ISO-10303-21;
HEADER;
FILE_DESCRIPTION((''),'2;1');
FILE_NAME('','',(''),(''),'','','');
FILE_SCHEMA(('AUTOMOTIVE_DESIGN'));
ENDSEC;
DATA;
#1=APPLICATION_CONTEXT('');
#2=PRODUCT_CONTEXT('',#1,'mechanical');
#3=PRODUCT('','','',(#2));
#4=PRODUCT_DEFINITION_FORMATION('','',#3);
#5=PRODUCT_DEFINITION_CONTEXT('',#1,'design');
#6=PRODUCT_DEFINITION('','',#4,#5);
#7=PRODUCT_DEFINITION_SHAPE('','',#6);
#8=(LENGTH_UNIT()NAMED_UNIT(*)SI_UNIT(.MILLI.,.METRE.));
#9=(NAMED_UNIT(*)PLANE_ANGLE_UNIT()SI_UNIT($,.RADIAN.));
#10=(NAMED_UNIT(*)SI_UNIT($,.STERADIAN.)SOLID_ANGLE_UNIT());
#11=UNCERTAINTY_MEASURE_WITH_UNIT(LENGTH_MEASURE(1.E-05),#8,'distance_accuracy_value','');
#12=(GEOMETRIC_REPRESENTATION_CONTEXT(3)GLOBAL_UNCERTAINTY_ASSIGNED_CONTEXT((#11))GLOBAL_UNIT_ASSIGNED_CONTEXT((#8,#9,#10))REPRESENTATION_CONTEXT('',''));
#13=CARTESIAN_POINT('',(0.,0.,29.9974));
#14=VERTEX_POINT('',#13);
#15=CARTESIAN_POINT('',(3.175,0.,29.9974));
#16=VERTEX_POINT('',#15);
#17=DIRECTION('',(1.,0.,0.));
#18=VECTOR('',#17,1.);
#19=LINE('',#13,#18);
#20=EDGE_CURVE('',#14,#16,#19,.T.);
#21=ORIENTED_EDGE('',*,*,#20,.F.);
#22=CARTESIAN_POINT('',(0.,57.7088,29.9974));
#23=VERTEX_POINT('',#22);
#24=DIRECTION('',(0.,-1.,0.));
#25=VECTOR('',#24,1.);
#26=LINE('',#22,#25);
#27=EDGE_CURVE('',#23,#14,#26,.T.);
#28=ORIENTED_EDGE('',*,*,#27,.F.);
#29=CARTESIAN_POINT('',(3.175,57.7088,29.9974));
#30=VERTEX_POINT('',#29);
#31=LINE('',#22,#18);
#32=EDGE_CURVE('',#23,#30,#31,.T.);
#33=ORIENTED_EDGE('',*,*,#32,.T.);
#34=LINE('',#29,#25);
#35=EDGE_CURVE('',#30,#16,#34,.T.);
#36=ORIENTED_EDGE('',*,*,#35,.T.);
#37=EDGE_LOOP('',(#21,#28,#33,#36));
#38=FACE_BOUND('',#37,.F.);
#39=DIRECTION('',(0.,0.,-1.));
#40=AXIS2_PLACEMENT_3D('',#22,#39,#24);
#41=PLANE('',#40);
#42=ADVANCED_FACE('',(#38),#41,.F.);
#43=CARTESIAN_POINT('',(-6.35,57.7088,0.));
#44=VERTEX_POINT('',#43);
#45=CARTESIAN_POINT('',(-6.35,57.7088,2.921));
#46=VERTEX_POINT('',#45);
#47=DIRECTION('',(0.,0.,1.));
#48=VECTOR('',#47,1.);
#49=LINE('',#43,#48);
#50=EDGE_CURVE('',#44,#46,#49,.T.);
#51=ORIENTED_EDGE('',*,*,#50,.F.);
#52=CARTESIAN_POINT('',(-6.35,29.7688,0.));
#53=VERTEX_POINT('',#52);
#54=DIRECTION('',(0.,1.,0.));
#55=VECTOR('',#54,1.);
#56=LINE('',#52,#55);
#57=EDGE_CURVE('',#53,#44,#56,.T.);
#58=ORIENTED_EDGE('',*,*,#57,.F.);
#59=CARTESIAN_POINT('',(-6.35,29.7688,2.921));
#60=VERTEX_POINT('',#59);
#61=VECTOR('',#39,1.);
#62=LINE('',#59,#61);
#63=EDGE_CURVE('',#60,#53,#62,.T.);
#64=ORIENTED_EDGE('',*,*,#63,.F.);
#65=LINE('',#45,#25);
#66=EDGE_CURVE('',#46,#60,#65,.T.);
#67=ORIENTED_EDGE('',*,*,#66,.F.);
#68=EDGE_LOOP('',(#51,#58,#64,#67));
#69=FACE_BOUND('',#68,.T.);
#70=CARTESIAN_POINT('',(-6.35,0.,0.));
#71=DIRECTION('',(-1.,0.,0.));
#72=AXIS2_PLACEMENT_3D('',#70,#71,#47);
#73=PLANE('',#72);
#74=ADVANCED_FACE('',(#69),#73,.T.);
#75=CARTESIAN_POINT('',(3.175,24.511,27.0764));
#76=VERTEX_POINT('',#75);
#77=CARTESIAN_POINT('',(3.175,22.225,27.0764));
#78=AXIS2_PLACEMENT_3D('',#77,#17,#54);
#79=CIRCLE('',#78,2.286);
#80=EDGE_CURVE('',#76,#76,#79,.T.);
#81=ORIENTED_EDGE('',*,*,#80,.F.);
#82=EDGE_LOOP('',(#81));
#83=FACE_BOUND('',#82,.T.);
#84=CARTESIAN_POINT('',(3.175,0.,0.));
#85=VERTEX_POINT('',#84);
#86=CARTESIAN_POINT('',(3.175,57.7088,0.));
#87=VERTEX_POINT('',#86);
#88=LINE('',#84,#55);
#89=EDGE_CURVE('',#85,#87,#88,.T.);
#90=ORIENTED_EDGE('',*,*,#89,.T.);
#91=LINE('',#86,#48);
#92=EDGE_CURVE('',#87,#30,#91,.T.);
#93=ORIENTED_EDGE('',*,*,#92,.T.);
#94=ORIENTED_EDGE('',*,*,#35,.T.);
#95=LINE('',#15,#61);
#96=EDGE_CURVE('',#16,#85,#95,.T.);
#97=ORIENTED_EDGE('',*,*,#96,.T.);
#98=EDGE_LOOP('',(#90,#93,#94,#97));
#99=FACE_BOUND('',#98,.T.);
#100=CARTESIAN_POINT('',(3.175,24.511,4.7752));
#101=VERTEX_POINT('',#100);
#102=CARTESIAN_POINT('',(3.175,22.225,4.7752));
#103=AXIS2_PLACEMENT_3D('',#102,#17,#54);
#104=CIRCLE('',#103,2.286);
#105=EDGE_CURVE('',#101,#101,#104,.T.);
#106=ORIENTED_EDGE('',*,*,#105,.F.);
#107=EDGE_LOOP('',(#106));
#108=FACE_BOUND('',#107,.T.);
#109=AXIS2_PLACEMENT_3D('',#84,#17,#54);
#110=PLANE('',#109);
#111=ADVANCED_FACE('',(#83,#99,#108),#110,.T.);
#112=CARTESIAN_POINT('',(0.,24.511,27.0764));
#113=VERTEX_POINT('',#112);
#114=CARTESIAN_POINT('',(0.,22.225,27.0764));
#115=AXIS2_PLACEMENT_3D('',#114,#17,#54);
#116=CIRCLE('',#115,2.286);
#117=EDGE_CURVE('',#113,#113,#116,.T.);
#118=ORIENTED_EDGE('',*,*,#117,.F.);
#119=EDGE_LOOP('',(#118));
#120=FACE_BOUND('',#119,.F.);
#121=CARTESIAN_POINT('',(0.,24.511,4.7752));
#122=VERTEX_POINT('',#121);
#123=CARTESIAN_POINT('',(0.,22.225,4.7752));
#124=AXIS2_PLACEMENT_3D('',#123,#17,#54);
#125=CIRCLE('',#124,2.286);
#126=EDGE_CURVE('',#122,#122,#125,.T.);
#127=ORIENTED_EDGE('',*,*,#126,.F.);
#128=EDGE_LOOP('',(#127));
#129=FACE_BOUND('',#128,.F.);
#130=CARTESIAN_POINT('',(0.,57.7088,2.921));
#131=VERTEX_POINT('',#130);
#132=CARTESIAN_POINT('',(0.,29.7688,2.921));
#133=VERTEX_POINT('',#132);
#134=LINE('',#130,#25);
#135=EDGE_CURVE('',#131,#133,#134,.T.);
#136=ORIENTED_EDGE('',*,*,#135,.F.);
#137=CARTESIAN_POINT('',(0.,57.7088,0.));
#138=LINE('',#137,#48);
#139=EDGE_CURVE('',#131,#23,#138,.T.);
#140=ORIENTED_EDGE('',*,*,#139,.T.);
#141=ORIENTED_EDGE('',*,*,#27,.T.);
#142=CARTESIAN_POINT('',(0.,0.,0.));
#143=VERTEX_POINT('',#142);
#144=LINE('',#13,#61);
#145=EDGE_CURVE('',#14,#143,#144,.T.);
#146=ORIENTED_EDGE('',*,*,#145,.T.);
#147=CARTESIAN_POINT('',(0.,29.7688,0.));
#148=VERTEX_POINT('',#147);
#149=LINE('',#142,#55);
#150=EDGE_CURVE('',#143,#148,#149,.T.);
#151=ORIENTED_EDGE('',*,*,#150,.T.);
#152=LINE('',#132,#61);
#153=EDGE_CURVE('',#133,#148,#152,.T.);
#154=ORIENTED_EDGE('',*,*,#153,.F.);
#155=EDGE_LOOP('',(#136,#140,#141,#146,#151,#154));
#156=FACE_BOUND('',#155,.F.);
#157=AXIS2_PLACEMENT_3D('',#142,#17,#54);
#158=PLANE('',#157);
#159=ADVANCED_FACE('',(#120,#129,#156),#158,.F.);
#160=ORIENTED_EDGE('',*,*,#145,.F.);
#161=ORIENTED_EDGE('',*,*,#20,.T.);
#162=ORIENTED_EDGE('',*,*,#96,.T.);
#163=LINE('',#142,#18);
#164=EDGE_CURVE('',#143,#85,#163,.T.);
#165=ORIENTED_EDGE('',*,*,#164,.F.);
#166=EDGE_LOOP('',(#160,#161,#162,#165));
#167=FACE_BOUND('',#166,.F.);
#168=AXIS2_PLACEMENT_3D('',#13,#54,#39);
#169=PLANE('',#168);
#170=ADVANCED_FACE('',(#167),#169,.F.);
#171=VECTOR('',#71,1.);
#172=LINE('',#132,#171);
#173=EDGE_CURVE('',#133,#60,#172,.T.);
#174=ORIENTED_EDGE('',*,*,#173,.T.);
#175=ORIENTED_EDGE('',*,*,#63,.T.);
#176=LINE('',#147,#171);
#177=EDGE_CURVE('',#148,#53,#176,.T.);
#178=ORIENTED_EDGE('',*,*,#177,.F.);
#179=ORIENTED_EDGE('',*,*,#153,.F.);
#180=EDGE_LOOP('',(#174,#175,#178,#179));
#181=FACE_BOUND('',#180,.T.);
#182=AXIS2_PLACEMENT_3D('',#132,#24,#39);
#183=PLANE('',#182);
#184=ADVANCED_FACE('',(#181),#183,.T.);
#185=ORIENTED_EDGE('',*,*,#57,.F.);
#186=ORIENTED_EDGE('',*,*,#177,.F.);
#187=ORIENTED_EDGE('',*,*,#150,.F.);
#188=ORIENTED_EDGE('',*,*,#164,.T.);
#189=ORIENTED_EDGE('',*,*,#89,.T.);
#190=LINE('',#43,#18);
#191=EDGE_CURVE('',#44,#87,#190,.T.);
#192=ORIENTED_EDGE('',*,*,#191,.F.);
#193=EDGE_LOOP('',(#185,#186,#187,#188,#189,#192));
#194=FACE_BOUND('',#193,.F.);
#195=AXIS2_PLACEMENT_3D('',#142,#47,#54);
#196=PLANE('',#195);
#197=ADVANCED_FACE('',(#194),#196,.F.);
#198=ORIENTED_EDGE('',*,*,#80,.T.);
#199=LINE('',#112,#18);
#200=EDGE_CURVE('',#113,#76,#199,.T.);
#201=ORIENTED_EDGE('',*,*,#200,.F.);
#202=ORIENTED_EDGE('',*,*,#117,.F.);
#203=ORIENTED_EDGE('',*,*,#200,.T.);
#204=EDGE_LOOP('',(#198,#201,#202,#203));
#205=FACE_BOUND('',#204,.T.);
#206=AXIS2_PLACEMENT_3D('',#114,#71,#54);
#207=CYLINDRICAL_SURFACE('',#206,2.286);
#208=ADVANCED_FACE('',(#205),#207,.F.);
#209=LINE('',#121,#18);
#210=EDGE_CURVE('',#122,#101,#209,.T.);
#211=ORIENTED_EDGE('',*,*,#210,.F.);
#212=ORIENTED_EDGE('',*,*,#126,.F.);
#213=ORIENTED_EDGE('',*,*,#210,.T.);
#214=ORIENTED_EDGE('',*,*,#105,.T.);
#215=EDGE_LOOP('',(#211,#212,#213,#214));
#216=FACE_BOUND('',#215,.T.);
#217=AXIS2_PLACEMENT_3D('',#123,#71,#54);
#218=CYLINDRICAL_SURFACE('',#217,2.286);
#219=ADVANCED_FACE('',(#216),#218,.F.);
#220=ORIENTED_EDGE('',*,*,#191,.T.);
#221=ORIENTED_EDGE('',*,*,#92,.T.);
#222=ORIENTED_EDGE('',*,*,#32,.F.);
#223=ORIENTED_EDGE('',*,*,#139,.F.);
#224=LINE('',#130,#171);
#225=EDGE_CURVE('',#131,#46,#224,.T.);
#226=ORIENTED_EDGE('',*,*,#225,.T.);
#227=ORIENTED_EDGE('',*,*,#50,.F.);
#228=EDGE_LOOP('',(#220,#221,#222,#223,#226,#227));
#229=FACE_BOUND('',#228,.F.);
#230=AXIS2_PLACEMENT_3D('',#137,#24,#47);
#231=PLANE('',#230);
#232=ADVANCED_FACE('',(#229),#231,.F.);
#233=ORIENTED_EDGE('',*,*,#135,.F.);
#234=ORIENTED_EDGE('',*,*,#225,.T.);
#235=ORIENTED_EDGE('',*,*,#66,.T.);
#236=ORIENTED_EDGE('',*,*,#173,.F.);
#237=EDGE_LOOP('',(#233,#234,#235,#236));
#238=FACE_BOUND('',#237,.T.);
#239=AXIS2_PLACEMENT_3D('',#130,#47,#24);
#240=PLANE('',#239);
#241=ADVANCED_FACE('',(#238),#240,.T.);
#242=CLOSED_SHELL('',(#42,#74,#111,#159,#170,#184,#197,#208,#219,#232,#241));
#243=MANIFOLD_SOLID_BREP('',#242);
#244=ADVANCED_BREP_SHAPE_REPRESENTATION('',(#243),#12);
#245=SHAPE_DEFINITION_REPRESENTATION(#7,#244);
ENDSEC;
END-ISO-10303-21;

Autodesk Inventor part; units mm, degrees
ref_plane "YZ Plane" through (0, 0, 0) normal (1, 0, 0) x (0, 1, 0)
ref_plane "XZ Plane" through (0, 0, 0) normal (0, 1, 0) x (-1, 0, 0)
ref_plane "XY Plane" through (0, 0, 0) normal (0, 0, 1) x (1, 0, 0)
sketch "Sketch1" plane through (0, 0, 0) normal (1, 0, 0) x (0, 1, 0)
  line L0 (0, 0) -> (57.7088, 0)
  line L1 (57.7088, 0) -> (57.7088, 29.9974)
  line L2 (57.7088, 29.9974) -> (0, 29.9974)
  line L3 (0, 29.9974) -> (0, 0)
  circle A0 centre (22.225, 27.0764) radius 2.286
  circle A1 centre (22.225, 4.7752) radius 2.286
  dimension "d0" = 57.7088
  dimension "d1" = 29.9974
  dimension "d2" = 4.572
  dimension "d3" = 2.921
  dimension "d4" = 22.225
  dimension "d5" = 4.572
  dimension "d6" = 22.225
  dimension "d7" = 25.2222
extrude "Extrusion1" add sketch "Sketch1" along normal blind 3.175
sketch "Sketch2" plane through (0, 0, 0) normal (-1, 0, 0) x (0, 0, 1)
  line L0 (0, 57.7088) -> (2.921, 57.7088)
  line L1 (2.921, 57.7088) -> (2.921, 29.7688)
  line L2 (2.921, 29.7688) -> (0, 29.7688)
  line L3 (0, 29.7688) -> (0, 57.7088)
  dimension "d10" = 2.921
  dimension "d11" = 27.94
extrude "Extrusion2" add sketch "Sketch2" along normal blind 6.35
sketch "Sketch3" plane through (0, 29.7688, 2.921) normal (0, 0, 1) x (1, 0, 0)
  line L0 (0, 27.94) -> (0, 0) projected
  line L1 (-6.35, 27.94) -> (0, 27.94)
  line L2 (0, 27.94) -> (0, 16.51)
  line L3 (0, 16.51) -> (-6.35, 16.51)
  line L4 (-6.35, 16.51) -> (-6.35, 27.94)
  point P0 (0, -29.7688)
  dimension "d14" = 11.43
extrude "Extrusion3" [suppressed]
properties part number "allignment plate"
